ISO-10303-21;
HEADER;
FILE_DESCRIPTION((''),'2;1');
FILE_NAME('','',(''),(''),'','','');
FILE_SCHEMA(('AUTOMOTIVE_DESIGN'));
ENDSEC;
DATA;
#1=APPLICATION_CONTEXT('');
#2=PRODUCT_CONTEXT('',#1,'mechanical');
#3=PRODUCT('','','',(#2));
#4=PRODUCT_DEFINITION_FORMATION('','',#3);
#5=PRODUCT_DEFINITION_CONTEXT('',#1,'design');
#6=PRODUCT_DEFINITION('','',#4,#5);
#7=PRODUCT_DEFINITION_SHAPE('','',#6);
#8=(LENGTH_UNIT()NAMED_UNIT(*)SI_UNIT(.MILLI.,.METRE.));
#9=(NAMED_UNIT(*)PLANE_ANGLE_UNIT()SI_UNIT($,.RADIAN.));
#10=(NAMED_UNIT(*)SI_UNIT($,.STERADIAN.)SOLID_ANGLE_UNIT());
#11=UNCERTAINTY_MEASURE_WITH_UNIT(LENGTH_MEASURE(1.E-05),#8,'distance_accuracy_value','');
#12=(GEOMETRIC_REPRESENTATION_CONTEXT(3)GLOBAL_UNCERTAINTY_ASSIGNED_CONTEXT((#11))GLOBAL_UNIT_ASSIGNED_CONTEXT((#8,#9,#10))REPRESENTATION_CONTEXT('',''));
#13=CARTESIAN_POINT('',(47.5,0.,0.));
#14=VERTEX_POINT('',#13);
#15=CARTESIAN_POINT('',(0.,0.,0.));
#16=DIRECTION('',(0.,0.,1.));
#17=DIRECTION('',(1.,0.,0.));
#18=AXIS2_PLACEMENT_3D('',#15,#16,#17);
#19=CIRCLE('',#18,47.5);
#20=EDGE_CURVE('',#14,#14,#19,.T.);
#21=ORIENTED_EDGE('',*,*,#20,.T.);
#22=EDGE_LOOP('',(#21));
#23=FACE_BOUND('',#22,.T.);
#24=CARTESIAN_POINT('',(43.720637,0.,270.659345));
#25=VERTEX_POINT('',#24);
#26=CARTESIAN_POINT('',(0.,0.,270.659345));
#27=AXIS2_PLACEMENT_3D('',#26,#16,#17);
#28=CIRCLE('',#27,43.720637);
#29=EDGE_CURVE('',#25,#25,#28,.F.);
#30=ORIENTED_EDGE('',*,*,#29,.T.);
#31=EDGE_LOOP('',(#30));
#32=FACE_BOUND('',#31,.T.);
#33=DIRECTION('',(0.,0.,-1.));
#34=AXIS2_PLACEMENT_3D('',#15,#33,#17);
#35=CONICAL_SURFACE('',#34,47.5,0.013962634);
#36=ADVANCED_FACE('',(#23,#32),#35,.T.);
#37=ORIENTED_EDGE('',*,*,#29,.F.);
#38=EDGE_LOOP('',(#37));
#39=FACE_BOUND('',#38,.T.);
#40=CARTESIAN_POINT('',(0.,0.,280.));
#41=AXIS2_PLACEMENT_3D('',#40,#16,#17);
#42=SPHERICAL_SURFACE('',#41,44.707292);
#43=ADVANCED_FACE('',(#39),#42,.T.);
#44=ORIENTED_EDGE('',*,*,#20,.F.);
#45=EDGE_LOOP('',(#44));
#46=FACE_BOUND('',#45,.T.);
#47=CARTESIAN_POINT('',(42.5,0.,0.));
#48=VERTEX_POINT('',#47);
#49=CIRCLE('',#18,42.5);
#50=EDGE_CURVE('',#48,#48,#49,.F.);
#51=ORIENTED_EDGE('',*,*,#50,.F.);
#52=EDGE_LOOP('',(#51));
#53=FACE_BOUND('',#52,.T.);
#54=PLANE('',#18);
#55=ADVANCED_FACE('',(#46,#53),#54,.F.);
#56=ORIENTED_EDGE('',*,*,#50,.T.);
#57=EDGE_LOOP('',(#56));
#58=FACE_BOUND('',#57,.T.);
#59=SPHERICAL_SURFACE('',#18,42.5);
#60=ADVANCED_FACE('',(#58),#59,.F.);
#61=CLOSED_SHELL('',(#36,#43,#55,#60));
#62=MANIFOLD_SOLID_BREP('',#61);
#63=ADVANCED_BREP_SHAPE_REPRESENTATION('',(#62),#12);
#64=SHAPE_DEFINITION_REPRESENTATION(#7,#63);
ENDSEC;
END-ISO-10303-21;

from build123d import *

# Parameters (mm, degrees)
SKETCH1_R           = 47.5
BOSS_EXTRUDE1_DEPTH = 280
BOSS_EXTRUDE1_TAPER = 0.8


with BuildPart() as part:
    # Sketch1 → Boss-Extrude1 (new body)
    with BuildSketch(Plane.XY):
        Circle(SKETCH1_R)
    extrude(amount=BOSS_EXTRUDE1_DEPTH, taper=BOSS_EXTRUDE1_TAPER)

    # Sketch2 → Cut-Revolve2 (revolve, cut)
    with BuildSketch(Plane(origin=(0, 0, 0), x_dir=(-1, 0, 0), z_dir=(0, 0, -1))):
        with BuildLine():
            Line((0, 42.5), (0, -42.5))
            ThreePointArc((0, -42.5), (42.5, 0), (0, 42.5))
        make_face()
    revolve(axis=Axis((0, 42.5, 0), (0, -1, 0)), mode=Mode.SUBTRACT)

    # Sketch3 → Revolve1 (revolve)
    with BuildSketch(Plane.XY.offset(280)):
        with BuildLine():
            Line((0, 44.70729171), (0, -44.70729171))
            ThreePointArc((0, -44.70729171), (-44.70729171, 0), (0, 44.70729171))
        make_face()
    revolve(axis=Axis((0, 44.70729171, 280), (0, -1, 0)))


solid = part.part
